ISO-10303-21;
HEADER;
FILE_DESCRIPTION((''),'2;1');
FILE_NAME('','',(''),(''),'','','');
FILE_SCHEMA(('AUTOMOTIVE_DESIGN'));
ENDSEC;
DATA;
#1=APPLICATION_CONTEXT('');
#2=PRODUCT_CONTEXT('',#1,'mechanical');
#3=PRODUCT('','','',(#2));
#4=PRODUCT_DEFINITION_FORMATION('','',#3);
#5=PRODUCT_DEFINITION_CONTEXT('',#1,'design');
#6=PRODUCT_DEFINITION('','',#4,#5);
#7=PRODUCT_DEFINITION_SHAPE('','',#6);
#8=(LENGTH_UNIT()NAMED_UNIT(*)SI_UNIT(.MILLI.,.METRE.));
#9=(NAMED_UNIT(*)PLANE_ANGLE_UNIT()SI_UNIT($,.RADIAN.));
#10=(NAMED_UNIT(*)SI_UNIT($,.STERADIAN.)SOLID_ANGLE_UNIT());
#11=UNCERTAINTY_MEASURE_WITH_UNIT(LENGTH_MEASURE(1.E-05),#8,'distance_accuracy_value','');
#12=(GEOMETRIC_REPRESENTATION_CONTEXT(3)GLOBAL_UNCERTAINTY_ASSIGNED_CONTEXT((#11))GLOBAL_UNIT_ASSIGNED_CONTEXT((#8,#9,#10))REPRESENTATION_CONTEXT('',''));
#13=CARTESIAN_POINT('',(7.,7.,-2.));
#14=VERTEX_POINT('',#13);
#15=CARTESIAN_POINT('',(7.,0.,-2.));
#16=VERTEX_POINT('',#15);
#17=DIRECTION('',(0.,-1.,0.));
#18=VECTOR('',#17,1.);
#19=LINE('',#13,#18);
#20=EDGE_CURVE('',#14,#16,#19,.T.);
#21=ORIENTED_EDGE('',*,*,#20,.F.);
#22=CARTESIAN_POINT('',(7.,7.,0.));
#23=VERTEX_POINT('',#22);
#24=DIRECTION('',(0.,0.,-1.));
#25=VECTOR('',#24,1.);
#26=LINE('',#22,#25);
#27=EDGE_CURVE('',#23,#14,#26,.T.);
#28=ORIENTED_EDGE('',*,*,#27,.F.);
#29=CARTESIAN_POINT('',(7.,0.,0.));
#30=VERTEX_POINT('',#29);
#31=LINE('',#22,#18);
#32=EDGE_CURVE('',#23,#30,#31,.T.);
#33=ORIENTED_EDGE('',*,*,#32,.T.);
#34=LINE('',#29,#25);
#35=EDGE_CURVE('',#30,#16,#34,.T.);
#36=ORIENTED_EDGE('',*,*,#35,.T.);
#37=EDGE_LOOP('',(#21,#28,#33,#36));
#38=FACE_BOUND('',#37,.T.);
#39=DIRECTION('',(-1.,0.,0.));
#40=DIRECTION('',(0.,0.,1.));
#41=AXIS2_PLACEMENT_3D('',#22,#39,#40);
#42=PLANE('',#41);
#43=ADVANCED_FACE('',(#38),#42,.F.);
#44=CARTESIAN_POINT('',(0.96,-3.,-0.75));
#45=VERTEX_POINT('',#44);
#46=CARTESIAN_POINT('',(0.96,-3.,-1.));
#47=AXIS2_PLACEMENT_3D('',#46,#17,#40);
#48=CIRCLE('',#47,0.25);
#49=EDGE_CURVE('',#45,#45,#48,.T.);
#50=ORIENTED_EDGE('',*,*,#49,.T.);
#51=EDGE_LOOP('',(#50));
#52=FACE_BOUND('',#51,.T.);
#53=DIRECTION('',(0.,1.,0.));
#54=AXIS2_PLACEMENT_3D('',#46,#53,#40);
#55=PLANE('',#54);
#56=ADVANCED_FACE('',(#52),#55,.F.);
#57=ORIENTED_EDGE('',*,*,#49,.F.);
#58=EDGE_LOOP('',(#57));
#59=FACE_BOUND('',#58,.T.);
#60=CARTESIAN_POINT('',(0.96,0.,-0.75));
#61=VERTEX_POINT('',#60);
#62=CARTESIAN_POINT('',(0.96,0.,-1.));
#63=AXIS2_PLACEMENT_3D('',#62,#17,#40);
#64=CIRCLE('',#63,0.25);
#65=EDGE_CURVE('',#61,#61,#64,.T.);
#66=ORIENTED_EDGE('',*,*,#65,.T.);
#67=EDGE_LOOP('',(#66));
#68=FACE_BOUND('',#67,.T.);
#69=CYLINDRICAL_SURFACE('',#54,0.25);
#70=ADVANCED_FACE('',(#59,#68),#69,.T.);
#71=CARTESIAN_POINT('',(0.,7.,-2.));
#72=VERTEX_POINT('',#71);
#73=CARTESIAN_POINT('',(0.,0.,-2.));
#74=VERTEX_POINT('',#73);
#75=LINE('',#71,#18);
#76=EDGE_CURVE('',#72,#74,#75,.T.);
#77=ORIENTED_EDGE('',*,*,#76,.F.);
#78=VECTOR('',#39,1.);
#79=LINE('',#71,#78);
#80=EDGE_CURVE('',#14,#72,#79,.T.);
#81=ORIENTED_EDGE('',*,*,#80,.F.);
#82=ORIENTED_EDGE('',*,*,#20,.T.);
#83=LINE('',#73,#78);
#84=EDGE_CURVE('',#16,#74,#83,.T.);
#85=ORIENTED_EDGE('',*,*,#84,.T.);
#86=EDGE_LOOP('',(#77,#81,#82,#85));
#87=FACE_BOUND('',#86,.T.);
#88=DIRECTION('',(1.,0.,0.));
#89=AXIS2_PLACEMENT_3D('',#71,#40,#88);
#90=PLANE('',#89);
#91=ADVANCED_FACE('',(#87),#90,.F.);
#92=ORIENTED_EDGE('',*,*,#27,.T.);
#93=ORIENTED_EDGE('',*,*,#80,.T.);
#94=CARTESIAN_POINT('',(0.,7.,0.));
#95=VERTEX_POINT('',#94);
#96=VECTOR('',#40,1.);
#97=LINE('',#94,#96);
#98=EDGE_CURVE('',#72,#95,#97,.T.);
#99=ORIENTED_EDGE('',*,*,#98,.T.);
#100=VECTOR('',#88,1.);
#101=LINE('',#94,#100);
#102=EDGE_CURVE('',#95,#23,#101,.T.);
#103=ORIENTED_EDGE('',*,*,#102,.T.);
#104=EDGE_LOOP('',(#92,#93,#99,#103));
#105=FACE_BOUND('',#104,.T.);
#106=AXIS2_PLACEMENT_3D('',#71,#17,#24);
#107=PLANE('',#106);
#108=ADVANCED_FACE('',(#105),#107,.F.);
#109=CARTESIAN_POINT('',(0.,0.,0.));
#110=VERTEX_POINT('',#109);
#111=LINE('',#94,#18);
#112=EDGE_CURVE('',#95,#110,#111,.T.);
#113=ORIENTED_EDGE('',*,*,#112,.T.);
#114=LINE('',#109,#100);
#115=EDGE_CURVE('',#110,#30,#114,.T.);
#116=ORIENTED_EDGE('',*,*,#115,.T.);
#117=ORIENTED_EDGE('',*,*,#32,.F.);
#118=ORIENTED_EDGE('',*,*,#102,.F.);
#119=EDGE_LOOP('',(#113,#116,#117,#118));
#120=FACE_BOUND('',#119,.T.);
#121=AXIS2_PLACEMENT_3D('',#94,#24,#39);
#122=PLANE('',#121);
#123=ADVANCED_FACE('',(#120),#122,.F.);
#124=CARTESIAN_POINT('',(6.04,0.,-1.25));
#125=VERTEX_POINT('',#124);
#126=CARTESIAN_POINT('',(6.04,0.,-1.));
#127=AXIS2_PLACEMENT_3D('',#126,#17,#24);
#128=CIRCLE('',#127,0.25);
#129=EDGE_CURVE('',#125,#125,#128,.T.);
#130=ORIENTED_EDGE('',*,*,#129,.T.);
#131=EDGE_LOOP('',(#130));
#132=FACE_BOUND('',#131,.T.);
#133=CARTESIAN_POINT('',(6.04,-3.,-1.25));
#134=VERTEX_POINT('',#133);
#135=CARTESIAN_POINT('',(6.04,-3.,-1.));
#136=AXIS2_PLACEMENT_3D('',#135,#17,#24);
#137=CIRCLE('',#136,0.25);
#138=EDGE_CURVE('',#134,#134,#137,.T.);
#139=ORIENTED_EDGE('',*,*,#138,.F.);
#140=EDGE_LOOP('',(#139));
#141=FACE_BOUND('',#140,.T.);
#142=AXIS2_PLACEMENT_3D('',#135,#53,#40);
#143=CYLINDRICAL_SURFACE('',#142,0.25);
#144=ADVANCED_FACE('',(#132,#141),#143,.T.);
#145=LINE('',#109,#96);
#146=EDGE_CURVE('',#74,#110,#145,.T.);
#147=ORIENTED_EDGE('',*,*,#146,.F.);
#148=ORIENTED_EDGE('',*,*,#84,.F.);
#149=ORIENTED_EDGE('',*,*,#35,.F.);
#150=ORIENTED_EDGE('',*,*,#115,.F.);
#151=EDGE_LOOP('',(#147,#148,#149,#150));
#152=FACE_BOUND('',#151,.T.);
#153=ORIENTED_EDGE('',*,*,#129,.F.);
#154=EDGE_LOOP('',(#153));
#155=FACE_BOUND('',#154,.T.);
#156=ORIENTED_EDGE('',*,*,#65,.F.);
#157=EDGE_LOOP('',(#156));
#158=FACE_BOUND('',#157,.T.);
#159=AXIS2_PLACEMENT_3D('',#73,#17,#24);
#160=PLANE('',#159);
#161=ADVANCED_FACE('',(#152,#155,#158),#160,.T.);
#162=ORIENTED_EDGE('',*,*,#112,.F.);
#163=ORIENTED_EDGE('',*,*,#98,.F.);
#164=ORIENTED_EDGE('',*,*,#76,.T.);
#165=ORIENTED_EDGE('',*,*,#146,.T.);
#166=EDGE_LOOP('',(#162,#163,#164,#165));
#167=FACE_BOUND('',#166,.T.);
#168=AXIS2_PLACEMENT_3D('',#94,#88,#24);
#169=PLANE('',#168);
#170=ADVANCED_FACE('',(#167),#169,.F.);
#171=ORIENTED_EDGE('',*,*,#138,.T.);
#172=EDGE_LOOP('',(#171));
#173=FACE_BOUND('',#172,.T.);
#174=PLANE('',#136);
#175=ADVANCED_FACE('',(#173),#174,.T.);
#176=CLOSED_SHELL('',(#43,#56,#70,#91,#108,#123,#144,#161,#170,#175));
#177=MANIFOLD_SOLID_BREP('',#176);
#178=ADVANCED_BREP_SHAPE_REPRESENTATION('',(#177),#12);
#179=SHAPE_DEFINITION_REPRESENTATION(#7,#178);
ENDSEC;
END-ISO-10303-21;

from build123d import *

# Parameters (mm, degrees)
ESQUISSE1_W      = 7
ESQUISSE1_H      = 2
EXTRUSION1_DEPTH = 7
ESQUISSE2_R      = 0.25
EXTRUSION2_DEPTH = 3


with BuildPart() as part:
    # Esquisse1 → Extrusion1 (new body)
    with BuildSketch(Plane(origin=(0, 0, 0), x_dir=(1, 0, 0), z_dir=(0, 1, 0))):
        with Locations((3.5, 1)):
            Rectangle(ESQUISSE1_W, ESQUISSE1_H)
    extrude(amount=EXTRUSION1_DEPTH)

    # Esquisse2 → Extrusion2 (add)
    with BuildSketch(Plane.XZ):
        with Locations(Location((0.96, -1, 0), (0, 0, 90))):
            Circle(ESQUISSE2_R)
        with Locations(Location((6.04, -1, 0), (0, 0, 270))):
            Circle(ESQUISSE2_R)
    extrude(amount=EXTRUSION2_DEPTH)


solid = part.part
